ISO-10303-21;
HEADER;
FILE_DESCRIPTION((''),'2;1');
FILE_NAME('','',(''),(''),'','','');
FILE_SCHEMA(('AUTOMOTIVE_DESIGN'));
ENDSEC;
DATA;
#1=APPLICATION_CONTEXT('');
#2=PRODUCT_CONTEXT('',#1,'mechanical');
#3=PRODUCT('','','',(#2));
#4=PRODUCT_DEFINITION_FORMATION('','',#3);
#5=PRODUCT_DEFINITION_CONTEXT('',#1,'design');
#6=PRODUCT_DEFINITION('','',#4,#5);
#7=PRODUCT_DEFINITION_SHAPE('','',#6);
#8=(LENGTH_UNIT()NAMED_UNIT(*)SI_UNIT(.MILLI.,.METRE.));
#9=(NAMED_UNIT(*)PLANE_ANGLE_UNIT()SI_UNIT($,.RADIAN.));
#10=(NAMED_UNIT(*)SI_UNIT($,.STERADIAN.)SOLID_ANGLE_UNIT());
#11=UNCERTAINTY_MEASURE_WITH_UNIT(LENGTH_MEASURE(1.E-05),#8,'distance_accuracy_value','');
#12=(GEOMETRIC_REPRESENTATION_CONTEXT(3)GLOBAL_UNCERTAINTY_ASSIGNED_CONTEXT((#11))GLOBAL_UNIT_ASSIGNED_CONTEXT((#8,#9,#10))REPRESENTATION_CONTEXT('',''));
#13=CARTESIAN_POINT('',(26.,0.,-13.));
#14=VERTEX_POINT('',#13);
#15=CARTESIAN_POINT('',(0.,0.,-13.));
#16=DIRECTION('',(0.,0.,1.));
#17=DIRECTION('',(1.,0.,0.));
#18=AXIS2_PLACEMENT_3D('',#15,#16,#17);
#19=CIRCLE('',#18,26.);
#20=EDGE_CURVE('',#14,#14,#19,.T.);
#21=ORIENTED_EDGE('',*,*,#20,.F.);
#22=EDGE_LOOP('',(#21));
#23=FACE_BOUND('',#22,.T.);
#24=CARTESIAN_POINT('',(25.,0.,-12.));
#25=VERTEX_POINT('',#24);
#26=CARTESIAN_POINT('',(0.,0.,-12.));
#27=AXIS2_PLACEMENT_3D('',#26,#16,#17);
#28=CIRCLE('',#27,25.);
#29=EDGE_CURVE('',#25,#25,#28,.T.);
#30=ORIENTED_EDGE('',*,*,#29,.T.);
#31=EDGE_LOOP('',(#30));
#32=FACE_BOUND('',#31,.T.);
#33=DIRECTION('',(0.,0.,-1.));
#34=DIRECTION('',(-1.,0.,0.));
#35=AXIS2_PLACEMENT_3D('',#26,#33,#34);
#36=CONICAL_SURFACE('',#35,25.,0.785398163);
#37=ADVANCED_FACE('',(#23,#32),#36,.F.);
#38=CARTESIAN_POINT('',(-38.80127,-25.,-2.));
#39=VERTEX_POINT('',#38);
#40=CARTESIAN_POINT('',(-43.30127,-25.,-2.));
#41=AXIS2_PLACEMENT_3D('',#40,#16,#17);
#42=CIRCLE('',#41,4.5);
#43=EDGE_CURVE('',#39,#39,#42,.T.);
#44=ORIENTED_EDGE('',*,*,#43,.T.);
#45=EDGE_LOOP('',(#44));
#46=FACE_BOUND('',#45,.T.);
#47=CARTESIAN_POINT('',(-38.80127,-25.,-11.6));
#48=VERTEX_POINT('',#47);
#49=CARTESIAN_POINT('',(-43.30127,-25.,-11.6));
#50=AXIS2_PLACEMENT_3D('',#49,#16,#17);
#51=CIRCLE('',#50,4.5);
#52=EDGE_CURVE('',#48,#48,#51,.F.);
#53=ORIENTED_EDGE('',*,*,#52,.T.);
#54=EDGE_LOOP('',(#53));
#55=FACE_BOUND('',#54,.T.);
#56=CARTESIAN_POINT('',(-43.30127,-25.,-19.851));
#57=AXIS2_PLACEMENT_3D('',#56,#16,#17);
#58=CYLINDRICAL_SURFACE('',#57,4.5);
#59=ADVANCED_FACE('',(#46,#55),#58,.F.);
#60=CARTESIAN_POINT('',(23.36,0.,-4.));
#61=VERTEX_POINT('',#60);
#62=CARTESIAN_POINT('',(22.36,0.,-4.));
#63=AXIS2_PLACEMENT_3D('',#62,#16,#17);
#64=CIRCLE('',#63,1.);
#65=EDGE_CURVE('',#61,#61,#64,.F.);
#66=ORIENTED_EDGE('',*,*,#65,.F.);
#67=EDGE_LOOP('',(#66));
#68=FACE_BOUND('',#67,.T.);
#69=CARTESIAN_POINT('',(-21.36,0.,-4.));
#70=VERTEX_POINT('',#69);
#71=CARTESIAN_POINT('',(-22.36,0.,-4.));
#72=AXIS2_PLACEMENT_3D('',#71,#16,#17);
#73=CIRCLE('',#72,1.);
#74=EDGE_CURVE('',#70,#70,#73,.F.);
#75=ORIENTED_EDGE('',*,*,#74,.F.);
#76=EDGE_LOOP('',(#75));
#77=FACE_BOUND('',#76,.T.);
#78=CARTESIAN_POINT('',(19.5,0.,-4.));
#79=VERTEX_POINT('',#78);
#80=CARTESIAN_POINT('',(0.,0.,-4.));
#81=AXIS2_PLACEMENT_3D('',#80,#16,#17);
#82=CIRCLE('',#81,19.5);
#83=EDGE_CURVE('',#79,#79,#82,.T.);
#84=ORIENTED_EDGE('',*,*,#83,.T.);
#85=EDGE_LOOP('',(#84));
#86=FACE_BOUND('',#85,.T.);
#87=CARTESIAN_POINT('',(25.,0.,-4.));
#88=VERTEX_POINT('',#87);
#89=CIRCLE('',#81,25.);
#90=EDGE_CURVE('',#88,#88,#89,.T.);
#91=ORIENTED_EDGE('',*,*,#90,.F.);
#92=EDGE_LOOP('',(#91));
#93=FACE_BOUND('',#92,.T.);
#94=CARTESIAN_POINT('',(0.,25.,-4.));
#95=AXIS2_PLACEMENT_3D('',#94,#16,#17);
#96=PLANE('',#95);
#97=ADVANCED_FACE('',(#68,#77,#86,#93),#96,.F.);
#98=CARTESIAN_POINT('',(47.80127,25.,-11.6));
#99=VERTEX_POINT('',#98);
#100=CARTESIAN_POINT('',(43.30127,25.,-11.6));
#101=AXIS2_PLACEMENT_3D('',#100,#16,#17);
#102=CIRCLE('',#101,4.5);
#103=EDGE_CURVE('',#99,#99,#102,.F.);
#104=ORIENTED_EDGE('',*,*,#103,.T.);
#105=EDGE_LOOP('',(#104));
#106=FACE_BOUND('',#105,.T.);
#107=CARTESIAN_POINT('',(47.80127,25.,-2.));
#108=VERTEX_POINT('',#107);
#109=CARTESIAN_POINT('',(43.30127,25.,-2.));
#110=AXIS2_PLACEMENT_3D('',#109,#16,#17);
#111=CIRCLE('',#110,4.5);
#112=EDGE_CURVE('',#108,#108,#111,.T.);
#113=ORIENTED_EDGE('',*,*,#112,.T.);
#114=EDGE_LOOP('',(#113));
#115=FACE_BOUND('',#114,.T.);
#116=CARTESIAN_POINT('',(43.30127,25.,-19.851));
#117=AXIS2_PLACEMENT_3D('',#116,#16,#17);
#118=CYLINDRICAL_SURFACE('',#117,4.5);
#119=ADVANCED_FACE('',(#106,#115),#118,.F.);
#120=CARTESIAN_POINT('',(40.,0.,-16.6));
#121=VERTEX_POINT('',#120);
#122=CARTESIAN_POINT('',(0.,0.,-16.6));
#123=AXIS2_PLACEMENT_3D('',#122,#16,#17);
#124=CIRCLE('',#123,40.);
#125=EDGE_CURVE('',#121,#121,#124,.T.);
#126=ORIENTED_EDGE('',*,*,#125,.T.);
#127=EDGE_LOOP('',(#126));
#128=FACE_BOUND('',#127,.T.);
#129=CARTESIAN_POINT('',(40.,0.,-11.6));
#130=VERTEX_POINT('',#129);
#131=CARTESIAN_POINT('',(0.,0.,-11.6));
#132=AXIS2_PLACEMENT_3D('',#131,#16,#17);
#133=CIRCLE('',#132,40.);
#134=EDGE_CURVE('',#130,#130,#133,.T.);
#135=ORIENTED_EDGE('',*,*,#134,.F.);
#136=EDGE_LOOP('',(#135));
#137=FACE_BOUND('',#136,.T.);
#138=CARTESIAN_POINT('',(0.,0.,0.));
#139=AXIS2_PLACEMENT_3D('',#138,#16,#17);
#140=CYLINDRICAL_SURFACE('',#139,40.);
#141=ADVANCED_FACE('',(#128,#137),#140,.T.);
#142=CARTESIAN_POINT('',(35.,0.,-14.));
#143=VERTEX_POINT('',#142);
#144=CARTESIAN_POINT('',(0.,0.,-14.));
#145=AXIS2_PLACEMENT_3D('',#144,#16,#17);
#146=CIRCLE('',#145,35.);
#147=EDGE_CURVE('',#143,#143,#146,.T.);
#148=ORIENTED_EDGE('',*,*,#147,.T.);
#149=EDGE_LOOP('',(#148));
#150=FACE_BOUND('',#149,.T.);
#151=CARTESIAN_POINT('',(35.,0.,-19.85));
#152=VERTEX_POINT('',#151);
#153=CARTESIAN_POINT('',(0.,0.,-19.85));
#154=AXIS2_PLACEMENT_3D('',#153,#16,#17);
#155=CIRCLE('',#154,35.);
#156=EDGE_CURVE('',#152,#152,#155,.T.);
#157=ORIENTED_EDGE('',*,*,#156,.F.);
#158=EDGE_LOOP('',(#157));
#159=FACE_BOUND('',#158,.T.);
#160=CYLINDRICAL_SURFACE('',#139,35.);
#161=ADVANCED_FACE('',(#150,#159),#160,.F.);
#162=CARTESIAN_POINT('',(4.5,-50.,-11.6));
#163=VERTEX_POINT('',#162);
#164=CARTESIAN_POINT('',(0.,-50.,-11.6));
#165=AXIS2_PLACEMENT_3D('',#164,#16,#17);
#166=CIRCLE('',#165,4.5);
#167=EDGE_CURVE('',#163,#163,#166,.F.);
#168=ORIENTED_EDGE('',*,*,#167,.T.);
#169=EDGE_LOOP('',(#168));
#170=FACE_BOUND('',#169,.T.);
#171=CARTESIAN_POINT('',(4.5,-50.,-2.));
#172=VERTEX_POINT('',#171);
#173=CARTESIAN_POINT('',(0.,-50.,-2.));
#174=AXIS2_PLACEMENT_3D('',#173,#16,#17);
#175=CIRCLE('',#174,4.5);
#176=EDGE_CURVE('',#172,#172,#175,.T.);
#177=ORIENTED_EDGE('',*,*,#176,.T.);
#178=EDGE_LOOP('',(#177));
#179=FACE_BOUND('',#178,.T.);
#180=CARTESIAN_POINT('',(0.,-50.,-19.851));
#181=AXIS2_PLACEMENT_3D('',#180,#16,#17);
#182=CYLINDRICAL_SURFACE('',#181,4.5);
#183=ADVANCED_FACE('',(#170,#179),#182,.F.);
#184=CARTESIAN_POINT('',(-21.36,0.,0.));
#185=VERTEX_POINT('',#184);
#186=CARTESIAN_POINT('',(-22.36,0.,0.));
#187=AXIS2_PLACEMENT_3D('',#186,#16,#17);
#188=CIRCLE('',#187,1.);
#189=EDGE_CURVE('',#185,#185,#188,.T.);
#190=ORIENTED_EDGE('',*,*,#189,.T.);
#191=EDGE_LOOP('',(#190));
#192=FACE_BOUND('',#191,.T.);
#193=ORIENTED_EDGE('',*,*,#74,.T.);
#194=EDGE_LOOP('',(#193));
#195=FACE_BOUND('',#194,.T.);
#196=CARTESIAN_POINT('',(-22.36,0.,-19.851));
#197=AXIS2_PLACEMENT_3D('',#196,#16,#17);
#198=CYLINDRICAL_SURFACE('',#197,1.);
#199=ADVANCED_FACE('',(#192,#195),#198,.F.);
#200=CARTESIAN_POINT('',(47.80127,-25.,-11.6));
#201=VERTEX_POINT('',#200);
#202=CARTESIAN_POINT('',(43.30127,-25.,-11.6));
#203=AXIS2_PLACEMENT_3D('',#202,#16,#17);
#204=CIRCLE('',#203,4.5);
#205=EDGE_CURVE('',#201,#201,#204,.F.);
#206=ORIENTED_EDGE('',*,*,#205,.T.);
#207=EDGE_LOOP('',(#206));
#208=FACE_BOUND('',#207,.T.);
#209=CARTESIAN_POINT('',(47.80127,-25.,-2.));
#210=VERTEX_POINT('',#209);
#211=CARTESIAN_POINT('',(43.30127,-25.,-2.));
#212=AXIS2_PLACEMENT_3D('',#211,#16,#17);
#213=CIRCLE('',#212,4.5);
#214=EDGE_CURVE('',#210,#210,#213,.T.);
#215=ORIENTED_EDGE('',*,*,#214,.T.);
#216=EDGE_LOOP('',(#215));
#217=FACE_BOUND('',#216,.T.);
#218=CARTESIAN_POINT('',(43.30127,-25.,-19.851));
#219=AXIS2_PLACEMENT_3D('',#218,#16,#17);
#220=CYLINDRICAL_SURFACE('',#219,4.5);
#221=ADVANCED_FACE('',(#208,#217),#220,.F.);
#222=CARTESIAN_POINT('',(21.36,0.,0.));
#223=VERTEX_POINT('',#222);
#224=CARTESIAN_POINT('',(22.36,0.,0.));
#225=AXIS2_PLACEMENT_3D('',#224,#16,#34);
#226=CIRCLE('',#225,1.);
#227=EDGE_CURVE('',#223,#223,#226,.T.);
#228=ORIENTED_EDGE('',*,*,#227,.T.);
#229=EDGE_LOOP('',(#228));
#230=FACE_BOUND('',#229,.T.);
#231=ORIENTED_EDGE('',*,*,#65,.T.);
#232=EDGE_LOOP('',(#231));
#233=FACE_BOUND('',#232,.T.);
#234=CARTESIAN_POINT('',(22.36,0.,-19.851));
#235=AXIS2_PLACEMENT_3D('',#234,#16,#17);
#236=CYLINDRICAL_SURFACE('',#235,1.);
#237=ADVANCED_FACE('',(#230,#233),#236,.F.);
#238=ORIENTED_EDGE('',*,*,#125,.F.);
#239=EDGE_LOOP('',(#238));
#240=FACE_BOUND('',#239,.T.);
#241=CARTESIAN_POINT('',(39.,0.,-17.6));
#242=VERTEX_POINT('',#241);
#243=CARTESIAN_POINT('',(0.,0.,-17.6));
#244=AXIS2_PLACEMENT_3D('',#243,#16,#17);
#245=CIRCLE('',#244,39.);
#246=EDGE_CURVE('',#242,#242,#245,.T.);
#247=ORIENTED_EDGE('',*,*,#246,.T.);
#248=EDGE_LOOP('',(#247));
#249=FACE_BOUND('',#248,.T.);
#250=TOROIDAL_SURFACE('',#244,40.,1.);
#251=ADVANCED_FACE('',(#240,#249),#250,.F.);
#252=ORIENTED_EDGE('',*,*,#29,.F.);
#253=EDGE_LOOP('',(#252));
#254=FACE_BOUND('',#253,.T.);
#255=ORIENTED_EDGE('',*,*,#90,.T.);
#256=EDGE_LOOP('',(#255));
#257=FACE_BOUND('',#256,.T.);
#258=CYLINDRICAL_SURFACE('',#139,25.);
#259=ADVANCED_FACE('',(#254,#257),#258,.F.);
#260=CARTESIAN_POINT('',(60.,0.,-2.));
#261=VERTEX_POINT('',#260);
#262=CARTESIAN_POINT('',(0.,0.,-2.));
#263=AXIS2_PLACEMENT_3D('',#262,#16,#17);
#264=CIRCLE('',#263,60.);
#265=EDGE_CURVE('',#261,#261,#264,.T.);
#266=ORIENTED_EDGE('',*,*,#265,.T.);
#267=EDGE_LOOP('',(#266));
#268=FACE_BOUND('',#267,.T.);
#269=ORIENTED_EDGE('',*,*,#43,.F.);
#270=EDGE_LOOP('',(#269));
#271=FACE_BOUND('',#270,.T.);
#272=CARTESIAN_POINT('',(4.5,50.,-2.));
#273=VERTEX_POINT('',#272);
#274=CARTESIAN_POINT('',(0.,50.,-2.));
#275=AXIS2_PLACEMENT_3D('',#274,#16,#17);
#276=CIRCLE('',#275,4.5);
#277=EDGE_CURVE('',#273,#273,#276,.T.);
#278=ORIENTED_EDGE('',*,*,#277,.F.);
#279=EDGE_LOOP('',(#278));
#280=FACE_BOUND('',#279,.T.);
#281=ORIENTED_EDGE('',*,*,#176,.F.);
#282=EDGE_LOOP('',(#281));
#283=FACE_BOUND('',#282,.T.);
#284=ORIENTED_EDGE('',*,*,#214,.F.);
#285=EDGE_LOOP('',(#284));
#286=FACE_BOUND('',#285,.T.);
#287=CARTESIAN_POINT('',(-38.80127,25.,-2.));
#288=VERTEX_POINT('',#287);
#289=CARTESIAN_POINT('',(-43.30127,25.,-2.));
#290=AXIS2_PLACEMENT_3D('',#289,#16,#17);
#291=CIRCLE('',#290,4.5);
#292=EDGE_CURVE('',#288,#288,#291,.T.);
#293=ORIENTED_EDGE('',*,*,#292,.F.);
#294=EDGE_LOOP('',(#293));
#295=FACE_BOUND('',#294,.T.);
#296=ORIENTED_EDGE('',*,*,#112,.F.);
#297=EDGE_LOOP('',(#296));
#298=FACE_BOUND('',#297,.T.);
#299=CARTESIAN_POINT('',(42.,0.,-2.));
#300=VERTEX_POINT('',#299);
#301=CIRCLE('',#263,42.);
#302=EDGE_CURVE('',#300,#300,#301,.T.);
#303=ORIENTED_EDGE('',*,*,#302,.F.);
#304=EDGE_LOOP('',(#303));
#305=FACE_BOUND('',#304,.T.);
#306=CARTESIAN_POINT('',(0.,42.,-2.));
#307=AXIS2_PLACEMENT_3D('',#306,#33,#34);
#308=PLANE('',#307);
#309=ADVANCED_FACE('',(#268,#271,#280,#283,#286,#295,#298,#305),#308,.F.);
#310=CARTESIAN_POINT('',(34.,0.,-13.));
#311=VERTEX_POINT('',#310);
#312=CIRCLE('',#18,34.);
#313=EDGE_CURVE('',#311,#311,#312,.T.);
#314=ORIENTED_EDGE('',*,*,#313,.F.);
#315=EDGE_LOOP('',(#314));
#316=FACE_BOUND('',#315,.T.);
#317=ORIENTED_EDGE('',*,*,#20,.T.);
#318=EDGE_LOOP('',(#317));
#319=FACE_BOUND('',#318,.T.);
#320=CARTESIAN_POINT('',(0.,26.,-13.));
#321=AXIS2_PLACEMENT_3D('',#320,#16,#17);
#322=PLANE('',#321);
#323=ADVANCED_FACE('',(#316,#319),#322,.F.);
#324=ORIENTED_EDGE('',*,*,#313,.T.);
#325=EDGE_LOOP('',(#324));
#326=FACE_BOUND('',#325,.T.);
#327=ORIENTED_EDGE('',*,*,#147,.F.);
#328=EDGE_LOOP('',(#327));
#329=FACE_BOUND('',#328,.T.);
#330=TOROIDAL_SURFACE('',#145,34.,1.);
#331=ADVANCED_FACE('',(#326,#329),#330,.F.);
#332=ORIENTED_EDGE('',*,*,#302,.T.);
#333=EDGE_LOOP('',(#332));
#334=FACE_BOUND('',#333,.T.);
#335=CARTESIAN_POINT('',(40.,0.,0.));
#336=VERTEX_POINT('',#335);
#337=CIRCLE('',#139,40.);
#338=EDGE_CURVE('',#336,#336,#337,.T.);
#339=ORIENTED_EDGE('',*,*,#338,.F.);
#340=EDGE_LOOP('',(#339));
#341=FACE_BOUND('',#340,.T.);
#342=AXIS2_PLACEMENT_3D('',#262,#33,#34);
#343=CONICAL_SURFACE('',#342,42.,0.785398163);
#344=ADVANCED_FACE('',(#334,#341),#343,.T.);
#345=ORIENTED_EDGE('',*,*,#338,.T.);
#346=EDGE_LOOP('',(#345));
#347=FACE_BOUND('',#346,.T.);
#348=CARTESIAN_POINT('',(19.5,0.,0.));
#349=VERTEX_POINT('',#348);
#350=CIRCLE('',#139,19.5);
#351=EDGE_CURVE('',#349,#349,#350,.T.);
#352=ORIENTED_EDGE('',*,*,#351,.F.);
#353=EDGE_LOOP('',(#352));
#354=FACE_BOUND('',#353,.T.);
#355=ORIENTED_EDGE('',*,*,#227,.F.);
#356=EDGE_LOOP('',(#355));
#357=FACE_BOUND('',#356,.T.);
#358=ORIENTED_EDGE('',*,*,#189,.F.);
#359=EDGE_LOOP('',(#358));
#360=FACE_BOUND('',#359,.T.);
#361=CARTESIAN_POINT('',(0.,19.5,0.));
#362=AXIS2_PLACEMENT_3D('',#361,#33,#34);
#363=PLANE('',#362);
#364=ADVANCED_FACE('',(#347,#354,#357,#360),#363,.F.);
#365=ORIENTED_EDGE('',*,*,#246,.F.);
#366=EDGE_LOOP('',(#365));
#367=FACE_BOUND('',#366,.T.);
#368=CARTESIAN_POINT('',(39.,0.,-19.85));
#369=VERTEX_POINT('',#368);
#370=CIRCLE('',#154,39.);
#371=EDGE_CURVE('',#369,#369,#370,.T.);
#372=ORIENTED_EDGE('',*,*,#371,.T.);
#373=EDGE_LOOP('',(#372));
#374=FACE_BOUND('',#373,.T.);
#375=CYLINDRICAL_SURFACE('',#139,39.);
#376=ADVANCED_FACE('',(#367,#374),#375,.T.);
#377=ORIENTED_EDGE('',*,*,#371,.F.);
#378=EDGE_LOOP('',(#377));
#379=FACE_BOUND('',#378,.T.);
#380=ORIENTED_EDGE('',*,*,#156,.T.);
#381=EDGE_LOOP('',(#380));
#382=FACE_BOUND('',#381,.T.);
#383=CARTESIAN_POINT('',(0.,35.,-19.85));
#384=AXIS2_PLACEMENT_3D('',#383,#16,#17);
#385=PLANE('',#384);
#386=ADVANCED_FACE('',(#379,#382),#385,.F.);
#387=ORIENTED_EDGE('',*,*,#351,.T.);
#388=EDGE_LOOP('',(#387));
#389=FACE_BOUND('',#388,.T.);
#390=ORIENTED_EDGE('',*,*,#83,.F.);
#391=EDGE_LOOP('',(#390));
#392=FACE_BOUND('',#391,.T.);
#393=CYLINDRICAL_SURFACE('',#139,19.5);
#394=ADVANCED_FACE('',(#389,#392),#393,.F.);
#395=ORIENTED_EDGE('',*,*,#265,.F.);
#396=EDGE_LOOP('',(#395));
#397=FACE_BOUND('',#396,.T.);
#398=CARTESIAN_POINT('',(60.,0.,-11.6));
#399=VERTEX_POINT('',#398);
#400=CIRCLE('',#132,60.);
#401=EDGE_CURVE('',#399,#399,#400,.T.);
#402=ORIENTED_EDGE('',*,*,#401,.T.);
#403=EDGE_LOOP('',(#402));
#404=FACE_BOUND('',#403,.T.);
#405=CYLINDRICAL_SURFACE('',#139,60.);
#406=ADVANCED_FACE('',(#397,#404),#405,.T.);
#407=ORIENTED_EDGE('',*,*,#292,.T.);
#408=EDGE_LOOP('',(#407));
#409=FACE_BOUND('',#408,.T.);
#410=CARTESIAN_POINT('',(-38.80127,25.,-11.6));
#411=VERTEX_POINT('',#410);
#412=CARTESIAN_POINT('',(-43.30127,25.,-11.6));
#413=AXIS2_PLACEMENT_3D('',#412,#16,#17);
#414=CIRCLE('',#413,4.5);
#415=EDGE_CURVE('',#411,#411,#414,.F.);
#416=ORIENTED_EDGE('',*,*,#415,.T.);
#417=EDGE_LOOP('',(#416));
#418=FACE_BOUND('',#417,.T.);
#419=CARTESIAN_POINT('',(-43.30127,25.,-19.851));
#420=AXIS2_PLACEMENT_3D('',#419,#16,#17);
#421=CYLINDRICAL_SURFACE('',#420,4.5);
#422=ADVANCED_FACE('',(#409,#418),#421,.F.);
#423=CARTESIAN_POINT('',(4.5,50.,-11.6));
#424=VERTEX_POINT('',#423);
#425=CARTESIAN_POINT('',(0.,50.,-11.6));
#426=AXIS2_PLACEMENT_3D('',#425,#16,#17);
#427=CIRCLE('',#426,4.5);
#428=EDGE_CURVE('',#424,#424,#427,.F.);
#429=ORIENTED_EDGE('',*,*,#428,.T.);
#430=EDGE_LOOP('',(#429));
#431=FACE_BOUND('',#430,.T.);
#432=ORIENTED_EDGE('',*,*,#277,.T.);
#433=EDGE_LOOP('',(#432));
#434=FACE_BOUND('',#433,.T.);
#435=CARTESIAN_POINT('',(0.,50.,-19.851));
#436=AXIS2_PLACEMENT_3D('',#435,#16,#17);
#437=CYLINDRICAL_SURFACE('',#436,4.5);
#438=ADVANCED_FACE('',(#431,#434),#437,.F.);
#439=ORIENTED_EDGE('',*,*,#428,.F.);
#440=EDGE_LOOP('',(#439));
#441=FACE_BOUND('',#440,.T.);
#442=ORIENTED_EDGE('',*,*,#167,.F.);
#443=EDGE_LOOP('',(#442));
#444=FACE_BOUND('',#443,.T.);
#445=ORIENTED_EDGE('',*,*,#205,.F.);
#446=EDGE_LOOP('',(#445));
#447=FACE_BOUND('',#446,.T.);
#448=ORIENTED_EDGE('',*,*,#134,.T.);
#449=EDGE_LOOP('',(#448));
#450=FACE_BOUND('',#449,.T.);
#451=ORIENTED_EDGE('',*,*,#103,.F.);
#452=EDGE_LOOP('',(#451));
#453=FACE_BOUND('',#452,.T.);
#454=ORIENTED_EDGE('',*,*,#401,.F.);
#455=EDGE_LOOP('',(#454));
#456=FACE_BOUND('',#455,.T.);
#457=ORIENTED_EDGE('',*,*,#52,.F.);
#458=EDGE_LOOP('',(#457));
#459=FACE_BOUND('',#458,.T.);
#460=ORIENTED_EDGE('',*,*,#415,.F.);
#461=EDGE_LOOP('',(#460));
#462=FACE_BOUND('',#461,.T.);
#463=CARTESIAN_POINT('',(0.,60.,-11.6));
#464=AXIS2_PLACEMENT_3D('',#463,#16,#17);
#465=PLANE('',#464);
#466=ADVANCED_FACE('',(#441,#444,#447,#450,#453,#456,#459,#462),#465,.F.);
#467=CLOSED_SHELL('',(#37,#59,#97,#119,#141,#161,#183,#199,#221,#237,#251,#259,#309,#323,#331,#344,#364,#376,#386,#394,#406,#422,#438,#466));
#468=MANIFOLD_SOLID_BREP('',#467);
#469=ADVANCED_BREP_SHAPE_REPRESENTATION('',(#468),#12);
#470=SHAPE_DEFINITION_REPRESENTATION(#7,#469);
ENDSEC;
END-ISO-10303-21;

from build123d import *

# Parameters (mm, degrees)
CUT_EXTRUDE1_REACH = 88.71
SKETCH6_R          = 4.5
CUT_EXTRUDE2_REACH = 89.144
SKETCH10_R         = 1


with BuildPart() as part:
    # Sketch1 → Revolve1 (revolve)
    with BuildSketch(Plane(origin=(0, 0, 0), x_dir=(0, 0, -1), z_dir=(1, 0, 0))):
        with BuildLine():
            Line((0, 19.5), (0, 40))
            Line((0, 40), (2, 42))
            Line((2, 42), (2, 60))
            Line((2, 60), (11.6, 60))
            Line((11.6, 60), (11.6, 40))
            Line((11.6, 40), (16.6, 40))
            ThreePointArc((16.6, 40), (16.892893219, 39.292893219), (17.6, 39))
            Line((17.6, 39), (19.85, 39))
            Line((19.85, 39), (19.85, 35))
            Line((19.85, 35), (14, 35))
            ThreePointArc((14, 35), (13.292893219, 34.707106781), (13, 34))
            Line((13, 34), (13, 26))
            Line((13, 26), (12, 25))
            Line((12, 25), (4, 25))
            Line((4, 25), (4, 19.5))
            Line((4, 19.5), (0, 19.5))
        make_face()
    revolve(axis=Axis((0, 0, 0), (0, 0, -1)))

    # Sketch6 → Cut-Extrude1 (cut, up to next)
    with BuildSketch(Plane.XY.offset(-2), mode=Mode.PRIVATE) as cut_extrude1_sk1:
        with Locations((0, -50)):
            Circle(SKETCH6_R)
    cut_extrude1_tool1 = extrude(cut_extrude1_sk1.sketch, amount=-CUT_EXTRUDE1_REACH, mode=Mode.PRIVATE) & part.part
    # Sketch6 → Cut-Extrude1 (cut, up to next)
    with BuildSketch(Plane.XY.offset(-2), mode=Mode.PRIVATE) as cut_extrude1_sk2:
        with Locations((-43.301270189, -25)):
            Circle(SKETCH6_R)
    cut_extrude1_tool2 = extrude(cut_extrude1_sk2.sketch, amount=-CUT_EXTRUDE1_REACH, mode=Mode.PRIVATE) & part.part
    # Sketch6 → Cut-Extrude1 (cut, up to next)
    with BuildSketch(Plane.XY.offset(-2), mode=Mode.PRIVATE) as cut_extrude1_sk3:
        with Locations((-43.301270189, 25)):
            Circle(SKETCH6_R)
    cut_extrude1_tool3 = extrude(cut_extrude1_sk3.sketch, amount=-CUT_EXTRUDE1_REACH, mode=Mode.PRIVATE) & part.part
    # Sketch6 → Cut-Extrude1 (cut, up to next)
    with BuildSketch(Plane.XY.offset(-2), mode=Mode.PRIVATE) as cut_extrude1_sk4:
        with Locations((0, 50)):
            Circle(SKETCH6_R)
    cut_extrude1_tool4 = extrude(cut_extrude1_sk4.sketch, amount=-CUT_EXTRUDE1_REACH, mode=Mode.PRIVATE) & part.part
    # Sketch6 → Cut-Extrude1 (cut, up to next)
    with BuildSketch(Plane.XY.offset(-2), mode=Mode.PRIVATE) as cut_extrude1_sk5:
        with Locations((43.301270189, 25)):
            Circle(SKETCH6_R)
    cut_extrude1_tool5 = extrude(cut_extrude1_sk5.sketch, amount=-CUT_EXTRUDE1_REACH, mode=Mode.PRIVATE) & part.part
    # Sketch6 → Cut-Extrude1 (cut, up to next)
    with BuildSketch(Plane.XY.offset(-2), mode=Mode.PRIVATE) as cut_extrude1_sk6:
        with Locations((43.301270189, -25)):
            Circle(SKETCH6_R)
    cut_extrude1_tool6 = extrude(cut_extrude1_sk6.sketch, amount=-CUT_EXTRUDE1_REACH, mode=Mode.PRIVATE) & part.part
    add(cut_extrude1_tool1.solids().sort_by_distance((0, -50, -2))[0], mode=Mode.SUBTRACT)
    add(cut_extrude1_tool2.solids().sort_by_distance((-43.30127, -25, -2))[0], mode=Mode.SUBTRACT)
    add(cut_extrude1_tool3.solids().sort_by_distance((-43.30127, 25, -2))[0], mode=Mode.SUBTRACT)
    add(cut_extrude1_tool4.solids().sort_by_distance((0, 50, -2))[0], mode=Mode.SUBTRACT)
    add(cut_extrude1_tool5.solids().sort_by_distance((43.30127, 25, -2))[0], mode=Mode.SUBTRACT)
    add(cut_extrude1_tool6.solids().sort_by_distance((43.30127, -25, -2))[0], mode=Mode.SUBTRACT)

    # Sketch10 → Cut-Extrude2 (cut, up to next)
    with BuildSketch(Plane.XY, mode=Mode.PRIVATE) as cut_extrude2_sk1:
        with Locations((-22.36, 0)):
            Circle(SKETCH10_R)
    cut_extrude2_tool1 = extrude(cut_extrude2_sk1.sketch, amount=-CUT_EXTRUDE2_REACH, mode=Mode.PRIVATE) & part.part
    # Sketch10 → Cut-Extrude2 (cut, up to next)
    with BuildSketch(Plane.XY, mode=Mode.PRIVATE) as cut_extrude2_sk2:
        with Locations((22.36, 0)):
            Circle(SKETCH10_R)
    cut_extrude2_tool2 = extrude(cut_extrude2_sk2.sketch, amount=-CUT_EXTRUDE2_REACH, mode=Mode.PRIVATE) & part.part
    add(cut_extrude2_tool1.solids().sort_by_distance((-22.36, 0, 0))[0], mode=Mode.SUBTRACT)
    add(cut_extrude2_tool2.solids().sort_by_distance((22.36, 0, 0))[0], mode=Mode.SUBTRACT)


solid = part.part
